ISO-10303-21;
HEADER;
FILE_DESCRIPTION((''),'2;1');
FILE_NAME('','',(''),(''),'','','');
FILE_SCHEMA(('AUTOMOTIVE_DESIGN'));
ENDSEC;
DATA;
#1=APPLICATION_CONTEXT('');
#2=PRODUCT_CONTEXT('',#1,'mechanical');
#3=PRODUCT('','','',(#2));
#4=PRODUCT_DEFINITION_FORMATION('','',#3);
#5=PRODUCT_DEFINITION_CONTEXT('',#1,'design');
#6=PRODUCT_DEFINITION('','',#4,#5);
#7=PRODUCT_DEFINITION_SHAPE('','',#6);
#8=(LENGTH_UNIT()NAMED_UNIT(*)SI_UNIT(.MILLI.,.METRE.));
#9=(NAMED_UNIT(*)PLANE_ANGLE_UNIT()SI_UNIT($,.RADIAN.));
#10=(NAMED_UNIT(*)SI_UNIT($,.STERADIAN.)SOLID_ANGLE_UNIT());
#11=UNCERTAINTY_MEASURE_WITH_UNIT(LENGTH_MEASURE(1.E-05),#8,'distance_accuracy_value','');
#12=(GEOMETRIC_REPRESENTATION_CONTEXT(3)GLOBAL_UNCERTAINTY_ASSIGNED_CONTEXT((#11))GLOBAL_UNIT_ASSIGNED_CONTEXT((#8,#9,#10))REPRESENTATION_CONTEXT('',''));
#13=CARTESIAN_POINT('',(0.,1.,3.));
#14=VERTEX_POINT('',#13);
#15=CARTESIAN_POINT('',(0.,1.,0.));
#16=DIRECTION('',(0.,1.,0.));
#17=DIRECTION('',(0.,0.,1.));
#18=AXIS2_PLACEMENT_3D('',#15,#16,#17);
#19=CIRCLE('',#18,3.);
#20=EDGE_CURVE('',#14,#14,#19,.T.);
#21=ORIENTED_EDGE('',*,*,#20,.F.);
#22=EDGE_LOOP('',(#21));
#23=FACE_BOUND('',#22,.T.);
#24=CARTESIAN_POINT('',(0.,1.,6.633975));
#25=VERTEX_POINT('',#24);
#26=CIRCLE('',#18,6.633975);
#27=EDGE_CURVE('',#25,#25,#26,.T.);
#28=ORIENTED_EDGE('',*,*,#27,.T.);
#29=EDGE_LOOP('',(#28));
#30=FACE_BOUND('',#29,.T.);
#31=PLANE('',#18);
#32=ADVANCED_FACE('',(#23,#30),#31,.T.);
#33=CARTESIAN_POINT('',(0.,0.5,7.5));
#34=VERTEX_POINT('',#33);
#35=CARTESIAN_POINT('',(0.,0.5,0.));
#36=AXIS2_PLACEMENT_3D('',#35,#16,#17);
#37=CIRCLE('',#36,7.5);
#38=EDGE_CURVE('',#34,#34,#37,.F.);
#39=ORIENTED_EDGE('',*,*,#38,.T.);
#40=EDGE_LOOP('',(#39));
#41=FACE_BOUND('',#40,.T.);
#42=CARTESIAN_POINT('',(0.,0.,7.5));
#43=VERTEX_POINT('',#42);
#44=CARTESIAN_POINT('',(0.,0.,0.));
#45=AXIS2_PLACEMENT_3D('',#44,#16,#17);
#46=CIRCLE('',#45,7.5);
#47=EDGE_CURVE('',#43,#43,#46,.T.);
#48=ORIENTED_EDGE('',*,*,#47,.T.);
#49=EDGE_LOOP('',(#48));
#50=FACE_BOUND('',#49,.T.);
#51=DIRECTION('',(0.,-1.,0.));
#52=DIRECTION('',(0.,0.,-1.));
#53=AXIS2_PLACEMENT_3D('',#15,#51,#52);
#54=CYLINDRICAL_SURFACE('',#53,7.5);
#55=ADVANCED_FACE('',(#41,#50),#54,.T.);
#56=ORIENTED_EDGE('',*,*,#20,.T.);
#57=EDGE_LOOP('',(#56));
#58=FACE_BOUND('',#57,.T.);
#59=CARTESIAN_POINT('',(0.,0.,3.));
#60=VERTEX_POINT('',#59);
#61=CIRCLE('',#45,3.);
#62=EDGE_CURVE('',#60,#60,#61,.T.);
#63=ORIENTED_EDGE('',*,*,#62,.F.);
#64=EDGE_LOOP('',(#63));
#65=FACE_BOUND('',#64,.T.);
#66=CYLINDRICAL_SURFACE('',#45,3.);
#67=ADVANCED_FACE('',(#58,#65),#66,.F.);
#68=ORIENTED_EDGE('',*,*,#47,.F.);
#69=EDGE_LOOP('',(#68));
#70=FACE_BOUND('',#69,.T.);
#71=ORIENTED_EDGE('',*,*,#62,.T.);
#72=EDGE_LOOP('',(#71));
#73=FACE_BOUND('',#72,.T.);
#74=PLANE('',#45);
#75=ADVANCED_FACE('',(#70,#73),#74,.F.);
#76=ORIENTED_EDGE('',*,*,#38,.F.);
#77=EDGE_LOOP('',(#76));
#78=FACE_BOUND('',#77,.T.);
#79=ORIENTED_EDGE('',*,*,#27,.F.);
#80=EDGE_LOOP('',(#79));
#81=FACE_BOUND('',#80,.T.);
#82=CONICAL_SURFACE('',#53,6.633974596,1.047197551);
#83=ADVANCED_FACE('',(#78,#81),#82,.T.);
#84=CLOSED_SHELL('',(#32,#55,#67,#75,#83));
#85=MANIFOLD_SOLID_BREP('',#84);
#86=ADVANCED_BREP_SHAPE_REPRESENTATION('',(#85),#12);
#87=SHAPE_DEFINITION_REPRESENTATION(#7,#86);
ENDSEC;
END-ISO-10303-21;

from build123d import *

# Parameters (mm, degrees)
SKETCH1_R           = 7.5
BOSS_EXTRUDE1_DEPTH = 1
CHAMFER1_SIZE       = 0.5
CHAMFER1_SIZE2      = 0.866025404
SKETCH2_R           = 3
CUT_EXTRUDE1_DEPTH  = 1


with BuildPart() as part:
    # Sketch1 → Boss-Extrude1 (new body)
    with BuildSketch(Plane(origin=(0, 0, 0), x_dir=(1, 0, 0), z_dir=(0, 1, 0))):
        Circle(SKETCH1_R)
    extrude(amount=BOSS_EXTRUDE1_DEPTH)

    # Chamfer1
    chamfer1_edges = [part.edges().sort_by_distance(p)[0] for p in [
        (-7.5, 1, 0),
    ]]
    chamfer1_side = [part.faces().sort_by_distance(p)[0] for p in [
        (-7.5, 0.5, 0),
    ]]
    chamfer(chamfer1_edges, length=CHAMFER1_SIZE, length2=CHAMFER1_SIZE2, reference=chamfer1_side[0])

    # Sketch2 → Cut-Extrude1 (cut)
    with BuildSketch(Plane(origin=(0, 1, 0), x_dir=(1, 0, 0), z_dir=(0, 1, 0))):
        Circle(SKETCH2_R)
    extrude(amount=-CUT_EXTRUDE1_DEPTH, mode=Mode.SUBTRACT)


solid = part.part
